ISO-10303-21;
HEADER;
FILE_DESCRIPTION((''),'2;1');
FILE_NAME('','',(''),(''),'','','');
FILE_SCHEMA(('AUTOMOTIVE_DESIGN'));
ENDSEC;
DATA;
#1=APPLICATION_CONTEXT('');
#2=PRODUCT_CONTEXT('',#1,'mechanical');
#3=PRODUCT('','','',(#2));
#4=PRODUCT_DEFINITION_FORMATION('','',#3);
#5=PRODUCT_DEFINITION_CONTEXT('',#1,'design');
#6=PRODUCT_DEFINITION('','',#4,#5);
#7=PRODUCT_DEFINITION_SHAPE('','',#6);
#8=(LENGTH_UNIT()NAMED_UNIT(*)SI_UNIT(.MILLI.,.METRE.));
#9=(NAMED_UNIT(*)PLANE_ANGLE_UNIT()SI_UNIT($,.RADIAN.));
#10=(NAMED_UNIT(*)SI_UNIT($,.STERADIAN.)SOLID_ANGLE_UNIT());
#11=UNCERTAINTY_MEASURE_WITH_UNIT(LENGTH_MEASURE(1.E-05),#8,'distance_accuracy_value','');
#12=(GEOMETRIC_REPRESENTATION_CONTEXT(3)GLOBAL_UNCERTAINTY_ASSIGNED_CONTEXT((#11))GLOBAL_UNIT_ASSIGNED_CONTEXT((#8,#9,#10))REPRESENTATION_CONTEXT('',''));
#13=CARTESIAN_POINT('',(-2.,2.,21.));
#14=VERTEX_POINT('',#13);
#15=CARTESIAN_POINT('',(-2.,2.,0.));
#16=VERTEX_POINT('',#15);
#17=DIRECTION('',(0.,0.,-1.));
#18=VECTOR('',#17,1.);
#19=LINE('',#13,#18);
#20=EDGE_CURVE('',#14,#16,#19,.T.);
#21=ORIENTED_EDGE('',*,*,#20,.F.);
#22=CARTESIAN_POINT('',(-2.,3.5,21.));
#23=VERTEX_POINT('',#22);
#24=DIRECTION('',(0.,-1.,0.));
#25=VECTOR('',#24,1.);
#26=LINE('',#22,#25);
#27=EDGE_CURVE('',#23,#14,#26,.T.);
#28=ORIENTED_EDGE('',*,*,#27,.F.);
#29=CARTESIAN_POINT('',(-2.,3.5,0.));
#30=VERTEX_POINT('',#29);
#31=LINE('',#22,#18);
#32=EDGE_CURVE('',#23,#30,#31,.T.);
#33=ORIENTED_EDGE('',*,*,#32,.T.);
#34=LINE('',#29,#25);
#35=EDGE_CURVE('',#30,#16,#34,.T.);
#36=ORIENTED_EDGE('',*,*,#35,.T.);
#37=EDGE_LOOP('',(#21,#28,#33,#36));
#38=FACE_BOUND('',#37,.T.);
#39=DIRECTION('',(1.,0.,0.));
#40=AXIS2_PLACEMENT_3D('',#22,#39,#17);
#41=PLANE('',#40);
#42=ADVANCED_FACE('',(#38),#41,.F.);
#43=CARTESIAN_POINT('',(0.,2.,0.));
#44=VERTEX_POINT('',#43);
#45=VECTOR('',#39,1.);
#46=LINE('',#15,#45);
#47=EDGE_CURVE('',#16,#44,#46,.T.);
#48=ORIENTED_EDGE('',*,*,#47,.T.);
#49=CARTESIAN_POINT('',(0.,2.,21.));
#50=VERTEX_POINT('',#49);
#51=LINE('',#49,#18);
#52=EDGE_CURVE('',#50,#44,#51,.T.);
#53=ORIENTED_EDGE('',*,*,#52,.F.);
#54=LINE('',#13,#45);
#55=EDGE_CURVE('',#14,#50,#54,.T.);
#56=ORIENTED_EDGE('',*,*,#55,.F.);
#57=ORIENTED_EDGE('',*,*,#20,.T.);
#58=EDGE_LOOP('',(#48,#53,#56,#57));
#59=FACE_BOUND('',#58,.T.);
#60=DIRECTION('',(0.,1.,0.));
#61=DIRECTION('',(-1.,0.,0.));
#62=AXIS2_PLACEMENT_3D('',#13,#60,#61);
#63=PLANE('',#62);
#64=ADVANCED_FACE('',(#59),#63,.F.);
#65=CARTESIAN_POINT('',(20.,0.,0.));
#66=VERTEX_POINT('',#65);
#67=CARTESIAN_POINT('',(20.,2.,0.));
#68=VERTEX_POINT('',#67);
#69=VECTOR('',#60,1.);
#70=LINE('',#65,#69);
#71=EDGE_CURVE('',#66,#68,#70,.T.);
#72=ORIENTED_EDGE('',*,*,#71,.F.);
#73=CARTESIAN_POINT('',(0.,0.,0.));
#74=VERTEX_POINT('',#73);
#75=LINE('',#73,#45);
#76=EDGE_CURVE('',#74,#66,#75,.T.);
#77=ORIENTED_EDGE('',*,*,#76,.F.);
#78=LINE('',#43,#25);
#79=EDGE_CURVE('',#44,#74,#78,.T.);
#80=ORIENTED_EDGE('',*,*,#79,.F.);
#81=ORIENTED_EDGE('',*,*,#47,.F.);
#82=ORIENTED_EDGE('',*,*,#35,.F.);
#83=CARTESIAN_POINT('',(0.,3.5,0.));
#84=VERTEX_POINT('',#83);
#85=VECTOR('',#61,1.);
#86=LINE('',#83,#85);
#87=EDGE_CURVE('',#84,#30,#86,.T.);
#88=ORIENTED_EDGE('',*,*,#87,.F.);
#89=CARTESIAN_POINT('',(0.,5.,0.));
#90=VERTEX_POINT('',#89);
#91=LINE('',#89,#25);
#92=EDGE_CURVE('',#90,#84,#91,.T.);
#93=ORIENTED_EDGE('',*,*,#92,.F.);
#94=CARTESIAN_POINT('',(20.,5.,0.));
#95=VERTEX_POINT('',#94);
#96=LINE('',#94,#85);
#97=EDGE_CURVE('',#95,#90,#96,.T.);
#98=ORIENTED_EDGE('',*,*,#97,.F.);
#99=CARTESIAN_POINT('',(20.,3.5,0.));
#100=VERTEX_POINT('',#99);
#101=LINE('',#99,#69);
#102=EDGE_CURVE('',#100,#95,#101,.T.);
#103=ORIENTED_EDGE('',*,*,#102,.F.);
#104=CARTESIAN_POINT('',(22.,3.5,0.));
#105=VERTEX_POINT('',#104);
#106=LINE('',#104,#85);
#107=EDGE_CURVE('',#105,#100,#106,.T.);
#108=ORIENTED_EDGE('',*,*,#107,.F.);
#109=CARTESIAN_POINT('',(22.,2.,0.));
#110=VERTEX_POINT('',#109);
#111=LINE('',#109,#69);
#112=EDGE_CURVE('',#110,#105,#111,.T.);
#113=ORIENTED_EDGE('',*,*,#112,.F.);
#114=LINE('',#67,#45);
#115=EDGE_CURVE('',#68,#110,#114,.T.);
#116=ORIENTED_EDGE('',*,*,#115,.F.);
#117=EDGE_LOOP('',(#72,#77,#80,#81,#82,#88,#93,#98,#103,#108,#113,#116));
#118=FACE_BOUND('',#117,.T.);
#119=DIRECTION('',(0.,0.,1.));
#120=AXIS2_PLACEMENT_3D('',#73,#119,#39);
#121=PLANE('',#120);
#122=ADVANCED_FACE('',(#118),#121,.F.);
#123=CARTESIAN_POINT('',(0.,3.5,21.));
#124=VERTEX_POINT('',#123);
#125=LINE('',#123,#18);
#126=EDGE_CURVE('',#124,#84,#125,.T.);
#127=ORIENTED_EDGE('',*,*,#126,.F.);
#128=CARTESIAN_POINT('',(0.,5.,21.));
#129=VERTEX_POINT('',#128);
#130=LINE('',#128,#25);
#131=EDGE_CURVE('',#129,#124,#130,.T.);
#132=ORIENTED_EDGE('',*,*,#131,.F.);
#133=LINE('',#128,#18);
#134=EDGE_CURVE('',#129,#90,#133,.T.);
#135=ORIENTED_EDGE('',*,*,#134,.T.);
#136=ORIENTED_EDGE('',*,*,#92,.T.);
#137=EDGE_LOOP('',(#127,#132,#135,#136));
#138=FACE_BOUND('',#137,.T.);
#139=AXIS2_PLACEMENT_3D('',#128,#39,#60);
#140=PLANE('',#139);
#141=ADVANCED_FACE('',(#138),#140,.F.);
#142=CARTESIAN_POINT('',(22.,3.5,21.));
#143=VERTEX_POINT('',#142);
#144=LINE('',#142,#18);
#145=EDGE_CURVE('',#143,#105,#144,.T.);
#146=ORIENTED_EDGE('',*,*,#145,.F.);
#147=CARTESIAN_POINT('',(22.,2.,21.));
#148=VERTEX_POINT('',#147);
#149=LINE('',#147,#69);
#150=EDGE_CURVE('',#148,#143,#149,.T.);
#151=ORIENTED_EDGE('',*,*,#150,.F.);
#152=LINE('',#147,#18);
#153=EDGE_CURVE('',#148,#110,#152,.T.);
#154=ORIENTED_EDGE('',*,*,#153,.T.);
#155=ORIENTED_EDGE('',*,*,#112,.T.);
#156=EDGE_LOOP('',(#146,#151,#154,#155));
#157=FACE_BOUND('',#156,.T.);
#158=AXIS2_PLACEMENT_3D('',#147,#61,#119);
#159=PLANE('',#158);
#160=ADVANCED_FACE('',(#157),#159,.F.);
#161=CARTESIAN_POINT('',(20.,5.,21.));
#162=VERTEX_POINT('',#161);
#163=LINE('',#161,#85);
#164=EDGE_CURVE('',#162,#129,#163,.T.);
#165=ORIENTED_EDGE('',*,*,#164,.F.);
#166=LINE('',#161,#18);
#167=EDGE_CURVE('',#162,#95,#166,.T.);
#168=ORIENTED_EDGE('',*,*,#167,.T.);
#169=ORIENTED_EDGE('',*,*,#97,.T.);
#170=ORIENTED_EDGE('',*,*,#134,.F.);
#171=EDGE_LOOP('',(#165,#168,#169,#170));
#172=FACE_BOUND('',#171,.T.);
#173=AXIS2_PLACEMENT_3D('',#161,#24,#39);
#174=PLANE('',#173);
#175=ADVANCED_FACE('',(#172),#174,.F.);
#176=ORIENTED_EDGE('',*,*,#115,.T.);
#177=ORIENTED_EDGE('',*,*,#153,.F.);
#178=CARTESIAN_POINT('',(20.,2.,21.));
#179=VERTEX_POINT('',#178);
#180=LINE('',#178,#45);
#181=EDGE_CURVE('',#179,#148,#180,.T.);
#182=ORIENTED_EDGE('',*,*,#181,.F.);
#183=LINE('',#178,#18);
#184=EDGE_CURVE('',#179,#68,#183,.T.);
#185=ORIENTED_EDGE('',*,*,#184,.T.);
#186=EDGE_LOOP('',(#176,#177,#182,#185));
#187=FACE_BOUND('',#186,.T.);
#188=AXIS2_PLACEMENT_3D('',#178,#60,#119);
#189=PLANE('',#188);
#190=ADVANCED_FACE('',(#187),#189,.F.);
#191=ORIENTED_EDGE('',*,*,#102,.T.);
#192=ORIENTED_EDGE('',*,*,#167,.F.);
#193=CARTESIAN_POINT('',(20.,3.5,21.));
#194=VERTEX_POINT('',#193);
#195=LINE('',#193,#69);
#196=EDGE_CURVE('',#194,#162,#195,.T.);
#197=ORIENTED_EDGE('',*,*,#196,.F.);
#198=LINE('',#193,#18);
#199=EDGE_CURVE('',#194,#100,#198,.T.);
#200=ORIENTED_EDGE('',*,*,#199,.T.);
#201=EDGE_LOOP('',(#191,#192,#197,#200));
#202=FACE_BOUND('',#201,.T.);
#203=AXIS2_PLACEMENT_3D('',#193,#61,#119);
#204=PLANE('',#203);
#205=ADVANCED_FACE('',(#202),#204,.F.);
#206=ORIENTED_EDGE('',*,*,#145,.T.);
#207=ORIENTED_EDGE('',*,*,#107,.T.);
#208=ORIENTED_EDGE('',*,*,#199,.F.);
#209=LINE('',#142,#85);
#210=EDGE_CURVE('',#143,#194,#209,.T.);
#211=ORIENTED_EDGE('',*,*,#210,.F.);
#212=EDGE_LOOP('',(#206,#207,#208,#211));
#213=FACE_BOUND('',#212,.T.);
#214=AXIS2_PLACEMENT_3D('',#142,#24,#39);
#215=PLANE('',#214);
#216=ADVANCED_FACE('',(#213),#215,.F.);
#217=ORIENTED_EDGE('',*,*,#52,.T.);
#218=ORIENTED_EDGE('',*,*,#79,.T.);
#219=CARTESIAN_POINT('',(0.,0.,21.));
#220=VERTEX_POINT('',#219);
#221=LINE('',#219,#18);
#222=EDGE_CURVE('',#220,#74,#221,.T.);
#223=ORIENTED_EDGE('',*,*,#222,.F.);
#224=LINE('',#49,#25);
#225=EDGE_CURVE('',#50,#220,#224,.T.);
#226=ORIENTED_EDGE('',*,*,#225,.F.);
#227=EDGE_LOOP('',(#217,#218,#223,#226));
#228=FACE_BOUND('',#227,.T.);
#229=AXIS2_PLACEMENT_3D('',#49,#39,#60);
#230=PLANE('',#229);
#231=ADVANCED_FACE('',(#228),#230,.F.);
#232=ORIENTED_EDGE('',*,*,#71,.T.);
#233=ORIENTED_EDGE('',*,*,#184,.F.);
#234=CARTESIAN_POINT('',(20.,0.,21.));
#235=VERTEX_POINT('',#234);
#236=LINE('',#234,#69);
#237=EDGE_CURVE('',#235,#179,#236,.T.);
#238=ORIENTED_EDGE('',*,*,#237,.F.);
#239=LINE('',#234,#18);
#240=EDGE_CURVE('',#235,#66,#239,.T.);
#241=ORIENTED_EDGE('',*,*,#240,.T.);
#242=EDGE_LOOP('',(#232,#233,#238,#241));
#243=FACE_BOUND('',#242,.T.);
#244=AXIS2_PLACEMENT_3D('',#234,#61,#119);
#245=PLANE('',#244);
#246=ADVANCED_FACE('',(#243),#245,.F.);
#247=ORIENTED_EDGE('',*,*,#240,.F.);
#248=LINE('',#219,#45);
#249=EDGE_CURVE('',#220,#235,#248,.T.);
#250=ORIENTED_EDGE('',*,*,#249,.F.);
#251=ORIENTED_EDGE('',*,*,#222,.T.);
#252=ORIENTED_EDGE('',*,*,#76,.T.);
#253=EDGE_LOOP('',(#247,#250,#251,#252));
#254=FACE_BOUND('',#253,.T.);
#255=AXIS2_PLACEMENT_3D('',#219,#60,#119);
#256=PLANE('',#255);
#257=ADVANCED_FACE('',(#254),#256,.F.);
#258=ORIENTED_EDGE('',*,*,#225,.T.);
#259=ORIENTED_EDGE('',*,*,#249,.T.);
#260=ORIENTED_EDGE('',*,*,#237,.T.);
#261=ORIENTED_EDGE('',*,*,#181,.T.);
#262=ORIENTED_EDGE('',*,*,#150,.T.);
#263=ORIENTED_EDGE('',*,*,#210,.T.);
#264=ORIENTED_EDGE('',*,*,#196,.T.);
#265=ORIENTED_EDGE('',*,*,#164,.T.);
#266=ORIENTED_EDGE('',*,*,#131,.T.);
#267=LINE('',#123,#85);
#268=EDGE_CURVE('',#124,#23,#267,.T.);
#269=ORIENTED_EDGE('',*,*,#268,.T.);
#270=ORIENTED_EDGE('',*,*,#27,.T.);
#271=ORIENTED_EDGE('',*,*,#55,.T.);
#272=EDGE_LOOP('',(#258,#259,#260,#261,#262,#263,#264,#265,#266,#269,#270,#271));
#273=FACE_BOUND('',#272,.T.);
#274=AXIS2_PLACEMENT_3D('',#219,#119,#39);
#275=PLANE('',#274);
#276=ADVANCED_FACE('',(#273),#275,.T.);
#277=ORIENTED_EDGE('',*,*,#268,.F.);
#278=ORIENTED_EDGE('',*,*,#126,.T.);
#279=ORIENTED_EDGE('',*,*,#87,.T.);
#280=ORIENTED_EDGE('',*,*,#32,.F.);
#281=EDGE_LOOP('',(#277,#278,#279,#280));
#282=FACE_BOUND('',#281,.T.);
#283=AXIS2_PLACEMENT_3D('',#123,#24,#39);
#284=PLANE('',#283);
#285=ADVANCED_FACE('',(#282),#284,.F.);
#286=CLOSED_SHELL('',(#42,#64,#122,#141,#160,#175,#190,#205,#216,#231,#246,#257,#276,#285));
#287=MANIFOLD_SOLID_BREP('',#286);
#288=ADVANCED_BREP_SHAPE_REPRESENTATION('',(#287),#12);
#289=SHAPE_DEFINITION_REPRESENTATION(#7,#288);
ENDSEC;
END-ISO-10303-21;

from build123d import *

# Parameters (mm, degrees)
BOSS_EXTRUDE1_DEPTH = 21


with BuildPart() as part:
    # Sketch1 → Boss-Extrude1 (new body)
    with BuildSketch(Plane.XY):
        Polygon((0, 0), (20, 0), (20, 2), (22, 2), (22, 3.5), (20, 3.5), (20, 5), (0, 5), (0, 3.5), (-2, 3.5), (-2, 2), (0, 2), align=None)
    extrude(amount=BOSS_EXTRUDE1_DEPTH)


solid = part.part
